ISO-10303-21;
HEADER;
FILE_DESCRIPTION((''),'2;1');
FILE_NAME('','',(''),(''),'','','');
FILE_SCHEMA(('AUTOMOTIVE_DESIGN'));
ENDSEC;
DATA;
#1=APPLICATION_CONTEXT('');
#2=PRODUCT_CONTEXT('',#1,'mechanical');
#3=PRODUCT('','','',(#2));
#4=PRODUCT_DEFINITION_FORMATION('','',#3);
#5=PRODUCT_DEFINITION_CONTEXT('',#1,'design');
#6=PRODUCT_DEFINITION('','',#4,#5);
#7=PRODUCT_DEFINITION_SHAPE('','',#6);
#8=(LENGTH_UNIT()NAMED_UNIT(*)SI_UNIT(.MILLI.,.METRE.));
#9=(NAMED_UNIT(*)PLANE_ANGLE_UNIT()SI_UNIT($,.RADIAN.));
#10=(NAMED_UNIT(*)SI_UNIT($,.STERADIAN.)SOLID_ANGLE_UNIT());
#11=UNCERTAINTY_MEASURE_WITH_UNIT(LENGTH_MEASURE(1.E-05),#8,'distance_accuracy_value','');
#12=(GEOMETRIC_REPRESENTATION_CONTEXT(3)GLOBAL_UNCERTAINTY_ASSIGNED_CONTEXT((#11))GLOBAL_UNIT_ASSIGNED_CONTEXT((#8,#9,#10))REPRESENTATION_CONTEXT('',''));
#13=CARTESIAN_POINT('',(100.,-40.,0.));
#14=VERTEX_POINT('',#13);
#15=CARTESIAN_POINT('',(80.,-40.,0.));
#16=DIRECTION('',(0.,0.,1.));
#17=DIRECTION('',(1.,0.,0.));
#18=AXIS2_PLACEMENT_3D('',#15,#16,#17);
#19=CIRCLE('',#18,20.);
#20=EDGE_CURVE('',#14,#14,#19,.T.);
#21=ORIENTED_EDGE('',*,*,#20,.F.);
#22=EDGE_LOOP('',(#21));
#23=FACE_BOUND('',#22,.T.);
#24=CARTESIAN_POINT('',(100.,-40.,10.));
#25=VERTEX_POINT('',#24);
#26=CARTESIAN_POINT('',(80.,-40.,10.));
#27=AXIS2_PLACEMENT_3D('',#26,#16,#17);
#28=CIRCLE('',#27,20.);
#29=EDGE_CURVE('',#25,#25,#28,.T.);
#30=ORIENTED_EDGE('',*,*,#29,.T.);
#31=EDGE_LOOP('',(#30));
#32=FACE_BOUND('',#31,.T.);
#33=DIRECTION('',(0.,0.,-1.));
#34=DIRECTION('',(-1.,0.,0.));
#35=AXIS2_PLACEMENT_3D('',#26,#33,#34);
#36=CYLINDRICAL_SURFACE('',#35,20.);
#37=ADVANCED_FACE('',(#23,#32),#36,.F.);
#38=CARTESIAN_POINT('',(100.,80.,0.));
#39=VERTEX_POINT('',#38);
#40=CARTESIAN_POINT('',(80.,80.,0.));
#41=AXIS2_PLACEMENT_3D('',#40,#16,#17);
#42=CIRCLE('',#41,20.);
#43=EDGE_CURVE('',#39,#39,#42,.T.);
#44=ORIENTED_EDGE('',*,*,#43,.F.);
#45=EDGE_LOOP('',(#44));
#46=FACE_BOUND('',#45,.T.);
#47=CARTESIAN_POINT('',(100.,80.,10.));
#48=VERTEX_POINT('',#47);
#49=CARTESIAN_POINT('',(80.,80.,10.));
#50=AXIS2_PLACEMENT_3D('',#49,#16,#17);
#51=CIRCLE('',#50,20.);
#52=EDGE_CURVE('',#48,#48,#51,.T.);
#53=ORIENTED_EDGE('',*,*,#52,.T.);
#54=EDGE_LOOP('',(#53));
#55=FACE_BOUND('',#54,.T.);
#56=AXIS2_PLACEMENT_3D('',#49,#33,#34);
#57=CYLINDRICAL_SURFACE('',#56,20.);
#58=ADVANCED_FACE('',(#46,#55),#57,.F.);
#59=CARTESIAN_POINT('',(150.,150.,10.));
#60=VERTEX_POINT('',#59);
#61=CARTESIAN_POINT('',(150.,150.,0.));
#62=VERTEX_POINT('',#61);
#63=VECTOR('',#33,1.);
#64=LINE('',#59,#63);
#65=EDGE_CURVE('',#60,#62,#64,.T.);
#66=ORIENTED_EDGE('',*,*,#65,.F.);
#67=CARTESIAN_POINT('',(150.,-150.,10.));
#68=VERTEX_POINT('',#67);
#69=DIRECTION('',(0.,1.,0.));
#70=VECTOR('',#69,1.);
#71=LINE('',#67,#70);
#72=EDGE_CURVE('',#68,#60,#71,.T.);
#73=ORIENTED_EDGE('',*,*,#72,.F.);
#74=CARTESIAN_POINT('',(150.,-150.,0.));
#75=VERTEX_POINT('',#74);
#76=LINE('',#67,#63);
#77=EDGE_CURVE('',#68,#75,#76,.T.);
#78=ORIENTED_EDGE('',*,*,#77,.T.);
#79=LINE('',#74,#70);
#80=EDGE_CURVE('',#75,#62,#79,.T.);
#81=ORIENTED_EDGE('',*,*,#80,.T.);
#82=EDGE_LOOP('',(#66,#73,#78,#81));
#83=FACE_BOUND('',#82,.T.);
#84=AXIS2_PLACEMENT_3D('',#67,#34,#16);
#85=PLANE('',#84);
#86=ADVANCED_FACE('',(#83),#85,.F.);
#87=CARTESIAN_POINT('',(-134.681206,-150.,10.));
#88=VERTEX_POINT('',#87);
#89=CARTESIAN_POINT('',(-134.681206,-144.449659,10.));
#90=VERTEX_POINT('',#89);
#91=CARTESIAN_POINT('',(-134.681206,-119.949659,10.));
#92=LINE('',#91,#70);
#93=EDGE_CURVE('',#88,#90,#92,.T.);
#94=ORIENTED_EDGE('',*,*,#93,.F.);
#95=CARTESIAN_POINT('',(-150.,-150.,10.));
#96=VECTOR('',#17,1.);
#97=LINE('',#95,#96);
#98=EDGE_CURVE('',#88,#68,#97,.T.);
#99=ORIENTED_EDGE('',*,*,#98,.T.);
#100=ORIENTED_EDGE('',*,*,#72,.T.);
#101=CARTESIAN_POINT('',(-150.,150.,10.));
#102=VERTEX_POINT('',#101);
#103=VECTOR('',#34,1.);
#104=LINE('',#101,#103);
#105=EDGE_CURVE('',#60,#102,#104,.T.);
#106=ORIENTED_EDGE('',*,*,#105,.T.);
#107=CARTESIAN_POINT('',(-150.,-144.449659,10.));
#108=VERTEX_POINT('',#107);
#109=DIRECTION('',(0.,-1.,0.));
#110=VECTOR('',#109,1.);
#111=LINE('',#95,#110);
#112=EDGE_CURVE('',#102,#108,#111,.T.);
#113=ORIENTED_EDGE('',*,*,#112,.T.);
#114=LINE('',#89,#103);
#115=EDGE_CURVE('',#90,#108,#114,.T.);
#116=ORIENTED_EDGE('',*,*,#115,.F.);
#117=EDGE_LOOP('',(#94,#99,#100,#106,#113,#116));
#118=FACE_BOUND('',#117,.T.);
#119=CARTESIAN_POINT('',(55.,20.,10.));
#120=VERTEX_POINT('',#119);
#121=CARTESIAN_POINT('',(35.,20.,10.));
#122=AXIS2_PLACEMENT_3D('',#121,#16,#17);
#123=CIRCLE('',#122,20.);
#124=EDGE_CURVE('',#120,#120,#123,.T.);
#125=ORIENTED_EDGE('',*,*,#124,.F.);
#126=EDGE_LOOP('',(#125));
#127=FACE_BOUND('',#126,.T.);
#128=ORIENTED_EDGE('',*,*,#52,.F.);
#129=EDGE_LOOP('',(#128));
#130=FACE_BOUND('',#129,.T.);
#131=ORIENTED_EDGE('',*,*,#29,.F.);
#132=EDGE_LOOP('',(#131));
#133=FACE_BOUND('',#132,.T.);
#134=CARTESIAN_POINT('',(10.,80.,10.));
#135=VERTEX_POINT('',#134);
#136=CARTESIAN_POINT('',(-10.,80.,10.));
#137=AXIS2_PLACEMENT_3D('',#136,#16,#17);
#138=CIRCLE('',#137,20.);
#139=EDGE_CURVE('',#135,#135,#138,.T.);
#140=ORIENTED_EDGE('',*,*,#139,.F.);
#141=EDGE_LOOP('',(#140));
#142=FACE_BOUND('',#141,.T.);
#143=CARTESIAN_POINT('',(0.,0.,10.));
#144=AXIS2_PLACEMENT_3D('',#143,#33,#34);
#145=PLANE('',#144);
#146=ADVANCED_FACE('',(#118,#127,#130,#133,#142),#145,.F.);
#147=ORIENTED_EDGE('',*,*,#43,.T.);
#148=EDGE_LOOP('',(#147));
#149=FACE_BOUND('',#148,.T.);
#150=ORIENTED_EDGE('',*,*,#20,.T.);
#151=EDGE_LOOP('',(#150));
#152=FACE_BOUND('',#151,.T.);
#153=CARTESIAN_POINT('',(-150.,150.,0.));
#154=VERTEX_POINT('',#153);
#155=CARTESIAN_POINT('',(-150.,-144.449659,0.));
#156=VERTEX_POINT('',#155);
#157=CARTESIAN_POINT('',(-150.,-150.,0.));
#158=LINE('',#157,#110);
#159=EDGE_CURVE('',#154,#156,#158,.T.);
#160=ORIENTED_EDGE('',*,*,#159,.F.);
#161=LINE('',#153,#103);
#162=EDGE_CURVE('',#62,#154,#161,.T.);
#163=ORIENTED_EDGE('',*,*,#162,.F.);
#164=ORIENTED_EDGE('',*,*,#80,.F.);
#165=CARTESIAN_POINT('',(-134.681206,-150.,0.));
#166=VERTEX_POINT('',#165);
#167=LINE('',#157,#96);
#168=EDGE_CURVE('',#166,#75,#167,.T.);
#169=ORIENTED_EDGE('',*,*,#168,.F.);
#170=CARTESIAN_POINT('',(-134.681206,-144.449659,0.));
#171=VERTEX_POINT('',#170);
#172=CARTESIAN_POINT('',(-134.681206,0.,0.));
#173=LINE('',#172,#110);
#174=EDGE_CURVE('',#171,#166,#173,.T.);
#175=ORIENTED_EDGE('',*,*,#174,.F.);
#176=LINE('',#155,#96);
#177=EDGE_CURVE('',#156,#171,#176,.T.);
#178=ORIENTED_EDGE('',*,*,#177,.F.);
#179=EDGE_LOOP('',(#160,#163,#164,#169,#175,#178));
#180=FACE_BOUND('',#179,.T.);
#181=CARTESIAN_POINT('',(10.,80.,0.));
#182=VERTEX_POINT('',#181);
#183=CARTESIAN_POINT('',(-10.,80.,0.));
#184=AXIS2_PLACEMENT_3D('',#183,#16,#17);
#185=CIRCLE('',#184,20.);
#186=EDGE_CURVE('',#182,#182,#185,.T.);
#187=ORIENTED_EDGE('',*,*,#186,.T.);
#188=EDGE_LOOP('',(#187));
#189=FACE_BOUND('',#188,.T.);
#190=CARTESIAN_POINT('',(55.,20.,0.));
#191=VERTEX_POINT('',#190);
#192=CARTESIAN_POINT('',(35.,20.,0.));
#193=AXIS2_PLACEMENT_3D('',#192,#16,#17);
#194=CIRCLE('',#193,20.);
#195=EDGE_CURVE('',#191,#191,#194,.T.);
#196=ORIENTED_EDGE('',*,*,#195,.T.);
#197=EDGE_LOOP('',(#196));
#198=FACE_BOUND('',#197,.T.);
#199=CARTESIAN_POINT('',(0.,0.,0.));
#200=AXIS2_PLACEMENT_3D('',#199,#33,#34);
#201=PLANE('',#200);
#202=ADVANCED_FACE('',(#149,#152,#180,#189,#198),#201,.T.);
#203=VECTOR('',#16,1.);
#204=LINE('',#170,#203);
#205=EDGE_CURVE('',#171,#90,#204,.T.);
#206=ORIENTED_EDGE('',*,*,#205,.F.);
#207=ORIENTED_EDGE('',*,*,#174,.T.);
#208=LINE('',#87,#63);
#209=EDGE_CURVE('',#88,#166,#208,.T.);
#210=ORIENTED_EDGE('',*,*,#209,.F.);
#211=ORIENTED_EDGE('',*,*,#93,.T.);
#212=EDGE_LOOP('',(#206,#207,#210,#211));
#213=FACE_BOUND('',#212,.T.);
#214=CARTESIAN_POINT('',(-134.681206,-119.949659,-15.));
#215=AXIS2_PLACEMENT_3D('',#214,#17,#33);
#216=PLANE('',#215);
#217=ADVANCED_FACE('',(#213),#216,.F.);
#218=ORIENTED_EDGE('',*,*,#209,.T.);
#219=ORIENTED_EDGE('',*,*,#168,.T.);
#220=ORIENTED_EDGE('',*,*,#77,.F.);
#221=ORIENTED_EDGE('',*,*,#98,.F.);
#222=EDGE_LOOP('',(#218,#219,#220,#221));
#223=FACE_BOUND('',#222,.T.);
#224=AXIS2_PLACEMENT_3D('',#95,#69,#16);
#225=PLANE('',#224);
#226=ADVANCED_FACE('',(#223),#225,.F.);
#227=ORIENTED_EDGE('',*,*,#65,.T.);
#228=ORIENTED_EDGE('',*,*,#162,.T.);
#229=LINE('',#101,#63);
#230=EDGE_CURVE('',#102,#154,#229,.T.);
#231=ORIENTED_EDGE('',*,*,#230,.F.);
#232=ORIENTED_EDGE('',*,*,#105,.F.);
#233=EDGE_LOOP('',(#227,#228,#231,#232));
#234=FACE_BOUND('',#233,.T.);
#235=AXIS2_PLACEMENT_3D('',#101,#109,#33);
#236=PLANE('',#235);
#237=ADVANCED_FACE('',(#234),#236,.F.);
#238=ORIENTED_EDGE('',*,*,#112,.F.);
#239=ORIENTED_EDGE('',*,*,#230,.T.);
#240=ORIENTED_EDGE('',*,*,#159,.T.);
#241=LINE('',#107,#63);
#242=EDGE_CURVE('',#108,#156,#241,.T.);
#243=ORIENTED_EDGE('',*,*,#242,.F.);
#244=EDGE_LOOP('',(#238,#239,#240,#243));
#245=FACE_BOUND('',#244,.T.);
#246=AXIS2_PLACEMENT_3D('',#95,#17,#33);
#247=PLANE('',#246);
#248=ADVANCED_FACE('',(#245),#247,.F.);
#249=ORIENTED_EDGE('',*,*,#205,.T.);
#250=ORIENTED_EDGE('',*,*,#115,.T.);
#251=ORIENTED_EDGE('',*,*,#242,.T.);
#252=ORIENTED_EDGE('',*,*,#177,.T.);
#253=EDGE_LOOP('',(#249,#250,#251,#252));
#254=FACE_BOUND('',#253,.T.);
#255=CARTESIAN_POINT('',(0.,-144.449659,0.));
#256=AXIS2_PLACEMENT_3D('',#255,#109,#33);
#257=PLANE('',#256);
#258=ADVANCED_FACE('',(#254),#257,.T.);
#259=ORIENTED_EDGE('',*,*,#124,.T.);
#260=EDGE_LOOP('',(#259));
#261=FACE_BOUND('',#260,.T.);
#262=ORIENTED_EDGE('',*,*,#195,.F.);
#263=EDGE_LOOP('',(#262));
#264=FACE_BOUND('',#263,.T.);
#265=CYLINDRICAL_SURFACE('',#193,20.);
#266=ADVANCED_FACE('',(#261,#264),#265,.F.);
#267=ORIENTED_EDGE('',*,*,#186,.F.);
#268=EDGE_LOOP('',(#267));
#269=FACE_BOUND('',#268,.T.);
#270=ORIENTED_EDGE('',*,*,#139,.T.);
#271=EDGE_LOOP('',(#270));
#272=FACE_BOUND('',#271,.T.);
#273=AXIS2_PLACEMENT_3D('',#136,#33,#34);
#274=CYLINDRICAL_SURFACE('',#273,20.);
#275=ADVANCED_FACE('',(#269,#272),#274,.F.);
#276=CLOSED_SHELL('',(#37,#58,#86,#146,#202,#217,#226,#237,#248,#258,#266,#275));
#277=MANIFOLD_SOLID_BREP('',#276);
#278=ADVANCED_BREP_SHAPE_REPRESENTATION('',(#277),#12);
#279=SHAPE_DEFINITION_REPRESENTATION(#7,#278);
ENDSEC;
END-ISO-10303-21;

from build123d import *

# Parameters (mm, degrees)
SKETCH_1_W          = 300
SKETCH_1_H          = 300
EXTRUDE_1_DEPTH     = 10
SKETCH_2_R          = 20
CUT_EXTRUDE_1_DEPTH = 213.367605816
SKETCH_3_R          = 20
CUT_EXTRUDE_2_DEPTH = 10
SKETCH_4_W          = 35.387588736
SKETCH_4_H          = 35.350682188
CUT_EXTRUDE_3_DEPTH = 25
SKETCH_5_W          = 15.318794368
SKETCH_5_H          = 10
EXTRUDE_2_DEPTH     = 24.5


with BuildPart() as part:
    # 草图1 → 凸台-拉伸1 (new body)
    with BuildSketch(Plane.XY):
        Rectangle(SKETCH_1_W, SKETCH_1_H)
    extrude(amount=EXTRUDE_1_DEPTH)

    # 草图2 → 切除-拉伸1 (cut, through all)
    with BuildSketch(Plane.XY.offset(10)):
        with Locations((35, 20)):
            Circle(SKETCH_2_R)
    extrude(amount=-CUT_EXTRUDE_1_DEPTH, mode=Mode.SUBTRACT)

    # 草图3 → 切除-拉伸2 (cut)
    with BuildSketch(Plane.XY):
        with Locations((80, 80)):
            Circle(SKETCH_3_R)
        with Locations((80, -40)):
            Circle(SKETCH_3_R)
        with Locations((-10, 80)):
            Circle(SKETCH_3_R)
    extrude(amount=CUT_EXTRUDE_2_DEPTH, mode=Mode.SUBTRACT)

    # 草图4 → 切除-拉伸3 (cut)
    with BuildSketch(Plane.XY.offset(10)):
        with Locations((-152.375, -137.625)):
            Rectangle(SKETCH_4_W, SKETCH_4_H)
    extrude(amount=-CUT_EXTRUDE_3_DEPTH, mode=Mode.SUBTRACT)

    # 草图5 → 凸台-拉伸2 (add)
    with BuildSketch(Plane.XZ.offset(119.949658906)):
        with Locations((-142.340602816, 5)):
            Rectangle(SKETCH_5_W, SKETCH_5_H)
    extrude(amount=EXTRUDE_2_DEPTH)


solid = part.part
